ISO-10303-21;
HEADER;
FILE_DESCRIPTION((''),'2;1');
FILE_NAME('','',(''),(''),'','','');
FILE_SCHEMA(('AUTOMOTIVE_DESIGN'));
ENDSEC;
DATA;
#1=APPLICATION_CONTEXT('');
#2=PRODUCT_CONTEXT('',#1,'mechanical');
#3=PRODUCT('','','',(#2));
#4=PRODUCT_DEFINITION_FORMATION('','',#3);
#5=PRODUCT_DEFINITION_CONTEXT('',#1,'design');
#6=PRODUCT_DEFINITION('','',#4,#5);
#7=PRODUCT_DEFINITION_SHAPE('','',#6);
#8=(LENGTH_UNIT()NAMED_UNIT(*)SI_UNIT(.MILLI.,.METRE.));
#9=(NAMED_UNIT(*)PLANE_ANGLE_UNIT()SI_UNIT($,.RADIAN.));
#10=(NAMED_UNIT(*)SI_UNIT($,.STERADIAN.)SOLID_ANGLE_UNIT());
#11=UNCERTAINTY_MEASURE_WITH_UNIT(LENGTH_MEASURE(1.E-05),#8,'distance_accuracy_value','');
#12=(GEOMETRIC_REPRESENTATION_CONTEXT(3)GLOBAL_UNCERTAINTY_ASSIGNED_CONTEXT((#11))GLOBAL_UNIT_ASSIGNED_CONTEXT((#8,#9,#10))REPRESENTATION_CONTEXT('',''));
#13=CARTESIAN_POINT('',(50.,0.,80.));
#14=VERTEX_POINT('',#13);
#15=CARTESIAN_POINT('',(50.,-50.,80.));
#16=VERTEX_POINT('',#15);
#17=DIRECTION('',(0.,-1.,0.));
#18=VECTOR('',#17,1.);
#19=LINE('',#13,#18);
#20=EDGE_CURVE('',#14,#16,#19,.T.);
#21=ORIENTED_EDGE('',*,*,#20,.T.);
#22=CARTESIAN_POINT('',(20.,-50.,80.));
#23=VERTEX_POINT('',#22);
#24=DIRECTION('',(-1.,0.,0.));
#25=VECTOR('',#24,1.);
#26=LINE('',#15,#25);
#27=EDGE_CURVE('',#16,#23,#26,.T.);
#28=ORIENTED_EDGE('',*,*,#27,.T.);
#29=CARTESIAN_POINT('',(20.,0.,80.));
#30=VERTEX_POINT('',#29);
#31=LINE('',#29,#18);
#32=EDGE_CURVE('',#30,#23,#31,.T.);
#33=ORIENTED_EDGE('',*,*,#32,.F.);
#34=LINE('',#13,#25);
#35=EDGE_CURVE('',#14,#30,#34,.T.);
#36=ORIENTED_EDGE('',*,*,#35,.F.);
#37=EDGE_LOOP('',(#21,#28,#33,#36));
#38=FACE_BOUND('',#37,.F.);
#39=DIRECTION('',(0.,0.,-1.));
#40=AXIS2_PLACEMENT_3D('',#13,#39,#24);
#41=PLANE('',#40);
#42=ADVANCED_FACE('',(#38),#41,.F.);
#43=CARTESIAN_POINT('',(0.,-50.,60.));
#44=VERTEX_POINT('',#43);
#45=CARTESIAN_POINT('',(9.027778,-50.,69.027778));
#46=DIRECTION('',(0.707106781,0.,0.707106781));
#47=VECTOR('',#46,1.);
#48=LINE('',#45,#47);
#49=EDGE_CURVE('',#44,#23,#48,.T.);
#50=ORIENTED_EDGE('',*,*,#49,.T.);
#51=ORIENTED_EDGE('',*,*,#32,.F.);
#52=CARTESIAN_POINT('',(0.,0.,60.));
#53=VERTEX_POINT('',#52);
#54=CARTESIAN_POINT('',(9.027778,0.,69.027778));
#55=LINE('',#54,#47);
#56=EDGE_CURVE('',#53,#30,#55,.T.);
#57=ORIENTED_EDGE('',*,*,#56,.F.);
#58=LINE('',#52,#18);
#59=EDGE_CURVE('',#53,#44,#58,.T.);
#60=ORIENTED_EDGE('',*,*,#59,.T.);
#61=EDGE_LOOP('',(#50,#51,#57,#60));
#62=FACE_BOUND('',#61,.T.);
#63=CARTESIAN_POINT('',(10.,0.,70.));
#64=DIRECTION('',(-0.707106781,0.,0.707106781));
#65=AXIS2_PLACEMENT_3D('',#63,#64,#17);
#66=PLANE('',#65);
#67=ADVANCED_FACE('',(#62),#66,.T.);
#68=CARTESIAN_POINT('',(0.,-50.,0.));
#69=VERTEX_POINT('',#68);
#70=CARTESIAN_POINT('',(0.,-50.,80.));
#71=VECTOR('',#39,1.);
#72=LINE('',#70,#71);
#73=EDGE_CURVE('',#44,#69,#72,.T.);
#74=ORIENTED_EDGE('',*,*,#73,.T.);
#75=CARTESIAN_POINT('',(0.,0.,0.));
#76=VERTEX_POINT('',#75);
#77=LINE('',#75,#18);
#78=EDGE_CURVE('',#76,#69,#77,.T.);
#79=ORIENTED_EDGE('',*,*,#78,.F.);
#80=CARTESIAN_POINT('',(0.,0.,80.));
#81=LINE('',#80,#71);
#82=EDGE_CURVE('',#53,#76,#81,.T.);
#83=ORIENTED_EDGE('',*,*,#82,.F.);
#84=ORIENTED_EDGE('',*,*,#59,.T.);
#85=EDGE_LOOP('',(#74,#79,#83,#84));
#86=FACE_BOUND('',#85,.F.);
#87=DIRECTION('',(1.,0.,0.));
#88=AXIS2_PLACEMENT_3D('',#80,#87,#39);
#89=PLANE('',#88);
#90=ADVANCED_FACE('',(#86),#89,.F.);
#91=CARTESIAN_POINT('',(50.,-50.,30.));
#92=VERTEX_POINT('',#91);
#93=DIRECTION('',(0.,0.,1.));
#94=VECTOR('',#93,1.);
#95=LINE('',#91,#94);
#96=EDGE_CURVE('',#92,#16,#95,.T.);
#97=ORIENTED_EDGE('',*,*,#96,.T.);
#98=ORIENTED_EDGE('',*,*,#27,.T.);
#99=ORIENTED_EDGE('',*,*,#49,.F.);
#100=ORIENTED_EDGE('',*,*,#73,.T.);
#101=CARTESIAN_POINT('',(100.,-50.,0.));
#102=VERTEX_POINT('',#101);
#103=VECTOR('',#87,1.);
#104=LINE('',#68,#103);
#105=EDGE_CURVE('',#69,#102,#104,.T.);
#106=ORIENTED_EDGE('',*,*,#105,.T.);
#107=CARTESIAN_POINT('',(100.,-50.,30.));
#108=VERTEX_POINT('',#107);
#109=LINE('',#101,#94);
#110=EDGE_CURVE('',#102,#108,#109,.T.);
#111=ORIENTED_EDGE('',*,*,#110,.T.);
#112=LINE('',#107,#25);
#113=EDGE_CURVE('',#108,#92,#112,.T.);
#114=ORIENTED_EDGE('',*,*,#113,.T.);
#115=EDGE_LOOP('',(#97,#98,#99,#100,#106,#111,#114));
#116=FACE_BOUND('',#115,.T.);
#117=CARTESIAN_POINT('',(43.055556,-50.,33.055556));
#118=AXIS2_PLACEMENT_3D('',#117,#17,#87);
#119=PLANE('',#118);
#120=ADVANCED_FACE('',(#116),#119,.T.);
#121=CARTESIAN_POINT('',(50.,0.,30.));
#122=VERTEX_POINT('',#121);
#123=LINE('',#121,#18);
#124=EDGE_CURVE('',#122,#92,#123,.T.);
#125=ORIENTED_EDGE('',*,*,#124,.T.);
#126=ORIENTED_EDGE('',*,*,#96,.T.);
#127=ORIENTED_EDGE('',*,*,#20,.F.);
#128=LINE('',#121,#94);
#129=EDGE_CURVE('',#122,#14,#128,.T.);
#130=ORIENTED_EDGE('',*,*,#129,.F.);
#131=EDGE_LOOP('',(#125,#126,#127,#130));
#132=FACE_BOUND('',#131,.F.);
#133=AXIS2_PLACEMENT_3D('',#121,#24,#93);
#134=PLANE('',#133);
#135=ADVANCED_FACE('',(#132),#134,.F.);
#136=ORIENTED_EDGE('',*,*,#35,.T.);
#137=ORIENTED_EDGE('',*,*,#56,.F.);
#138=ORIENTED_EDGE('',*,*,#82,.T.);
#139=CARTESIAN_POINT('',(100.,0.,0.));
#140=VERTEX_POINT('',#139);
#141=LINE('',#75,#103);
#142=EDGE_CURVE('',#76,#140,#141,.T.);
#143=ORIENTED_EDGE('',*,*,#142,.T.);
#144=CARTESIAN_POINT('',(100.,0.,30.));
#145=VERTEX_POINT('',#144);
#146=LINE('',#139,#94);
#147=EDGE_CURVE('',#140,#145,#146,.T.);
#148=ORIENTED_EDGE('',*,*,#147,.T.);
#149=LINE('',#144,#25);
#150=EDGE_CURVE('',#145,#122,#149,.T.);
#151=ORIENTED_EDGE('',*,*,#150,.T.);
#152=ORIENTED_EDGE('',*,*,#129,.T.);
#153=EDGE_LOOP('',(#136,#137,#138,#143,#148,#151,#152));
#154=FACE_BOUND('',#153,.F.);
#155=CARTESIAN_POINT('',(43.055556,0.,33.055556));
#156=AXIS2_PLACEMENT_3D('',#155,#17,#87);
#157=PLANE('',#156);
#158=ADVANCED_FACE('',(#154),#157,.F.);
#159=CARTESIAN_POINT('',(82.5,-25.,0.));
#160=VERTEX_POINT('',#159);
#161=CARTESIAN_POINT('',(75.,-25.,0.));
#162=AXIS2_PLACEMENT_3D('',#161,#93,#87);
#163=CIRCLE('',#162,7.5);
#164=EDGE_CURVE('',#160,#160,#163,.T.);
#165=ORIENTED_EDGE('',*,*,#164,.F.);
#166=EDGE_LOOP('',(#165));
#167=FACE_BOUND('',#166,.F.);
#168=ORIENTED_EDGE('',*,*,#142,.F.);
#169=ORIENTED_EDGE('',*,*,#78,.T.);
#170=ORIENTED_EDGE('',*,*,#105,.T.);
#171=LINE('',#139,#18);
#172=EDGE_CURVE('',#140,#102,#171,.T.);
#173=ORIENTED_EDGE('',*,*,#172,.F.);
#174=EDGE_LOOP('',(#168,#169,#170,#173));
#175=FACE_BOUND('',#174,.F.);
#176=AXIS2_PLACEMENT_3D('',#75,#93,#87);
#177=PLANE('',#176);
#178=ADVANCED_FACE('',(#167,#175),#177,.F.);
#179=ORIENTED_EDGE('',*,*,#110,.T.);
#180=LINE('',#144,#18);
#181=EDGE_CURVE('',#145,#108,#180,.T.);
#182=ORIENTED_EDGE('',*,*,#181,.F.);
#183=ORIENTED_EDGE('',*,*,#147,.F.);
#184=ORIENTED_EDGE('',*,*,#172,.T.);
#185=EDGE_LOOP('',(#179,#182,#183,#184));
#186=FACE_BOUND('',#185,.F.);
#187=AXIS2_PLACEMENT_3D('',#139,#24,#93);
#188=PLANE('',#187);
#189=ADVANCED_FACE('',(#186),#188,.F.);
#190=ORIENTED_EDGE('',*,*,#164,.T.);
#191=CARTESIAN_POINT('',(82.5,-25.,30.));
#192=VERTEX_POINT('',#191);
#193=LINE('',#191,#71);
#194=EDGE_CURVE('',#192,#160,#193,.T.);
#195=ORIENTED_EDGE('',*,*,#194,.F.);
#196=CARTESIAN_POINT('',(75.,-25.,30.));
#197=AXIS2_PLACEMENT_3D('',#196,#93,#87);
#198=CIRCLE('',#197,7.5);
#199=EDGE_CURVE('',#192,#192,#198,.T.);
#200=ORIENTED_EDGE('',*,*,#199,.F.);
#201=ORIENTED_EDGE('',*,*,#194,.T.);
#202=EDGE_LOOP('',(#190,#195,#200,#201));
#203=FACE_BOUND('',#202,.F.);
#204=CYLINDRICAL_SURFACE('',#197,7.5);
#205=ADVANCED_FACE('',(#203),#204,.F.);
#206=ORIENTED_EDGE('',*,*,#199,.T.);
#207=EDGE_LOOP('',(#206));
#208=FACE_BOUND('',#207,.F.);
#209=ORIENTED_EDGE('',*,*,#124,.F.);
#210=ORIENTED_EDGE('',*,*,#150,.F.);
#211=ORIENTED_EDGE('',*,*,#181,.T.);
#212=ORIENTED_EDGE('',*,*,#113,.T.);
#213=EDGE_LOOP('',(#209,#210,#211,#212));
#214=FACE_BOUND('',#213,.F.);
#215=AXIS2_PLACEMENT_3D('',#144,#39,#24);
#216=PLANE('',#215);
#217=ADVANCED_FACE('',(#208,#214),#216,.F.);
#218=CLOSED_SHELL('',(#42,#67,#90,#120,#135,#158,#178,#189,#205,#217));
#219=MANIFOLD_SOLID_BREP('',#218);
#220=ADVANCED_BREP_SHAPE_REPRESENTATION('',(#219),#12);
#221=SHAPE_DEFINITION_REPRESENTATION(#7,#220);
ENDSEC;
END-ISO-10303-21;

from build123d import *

# Parameters (mm, degrees)
F1_DEPTH = 50
F2_R     = 7.5
F3_DEPTH = 30.001
F4_SIZE  = 20


with BuildPart() as f1:
    # F0 (on Front) → F1 (new body)
    with BuildSketch(Plane.XZ):
        Polygon((0, 80), (0, 0), (100, 0), (100, 30), (50, 30), (50, 80), align=None)
    extrude(amount=F1_DEPTH)

    # F2 (on face) → F3 (cut, through all)
    with BuildSketch(Plane.XY.offset(30)):
        with Locations((75, -25)):
            Circle(F2_R)
    extrude(amount=-F3_DEPTH, mode=Mode.SUBTRACT)

    # F4
    f4_edges = [f1.edges().sort_by_distance(p)[0] for p in [
        (0, -25, 80),
    ]]
    chamfer(f4_edges, length=F4_SIZE)


solid = f1.part
